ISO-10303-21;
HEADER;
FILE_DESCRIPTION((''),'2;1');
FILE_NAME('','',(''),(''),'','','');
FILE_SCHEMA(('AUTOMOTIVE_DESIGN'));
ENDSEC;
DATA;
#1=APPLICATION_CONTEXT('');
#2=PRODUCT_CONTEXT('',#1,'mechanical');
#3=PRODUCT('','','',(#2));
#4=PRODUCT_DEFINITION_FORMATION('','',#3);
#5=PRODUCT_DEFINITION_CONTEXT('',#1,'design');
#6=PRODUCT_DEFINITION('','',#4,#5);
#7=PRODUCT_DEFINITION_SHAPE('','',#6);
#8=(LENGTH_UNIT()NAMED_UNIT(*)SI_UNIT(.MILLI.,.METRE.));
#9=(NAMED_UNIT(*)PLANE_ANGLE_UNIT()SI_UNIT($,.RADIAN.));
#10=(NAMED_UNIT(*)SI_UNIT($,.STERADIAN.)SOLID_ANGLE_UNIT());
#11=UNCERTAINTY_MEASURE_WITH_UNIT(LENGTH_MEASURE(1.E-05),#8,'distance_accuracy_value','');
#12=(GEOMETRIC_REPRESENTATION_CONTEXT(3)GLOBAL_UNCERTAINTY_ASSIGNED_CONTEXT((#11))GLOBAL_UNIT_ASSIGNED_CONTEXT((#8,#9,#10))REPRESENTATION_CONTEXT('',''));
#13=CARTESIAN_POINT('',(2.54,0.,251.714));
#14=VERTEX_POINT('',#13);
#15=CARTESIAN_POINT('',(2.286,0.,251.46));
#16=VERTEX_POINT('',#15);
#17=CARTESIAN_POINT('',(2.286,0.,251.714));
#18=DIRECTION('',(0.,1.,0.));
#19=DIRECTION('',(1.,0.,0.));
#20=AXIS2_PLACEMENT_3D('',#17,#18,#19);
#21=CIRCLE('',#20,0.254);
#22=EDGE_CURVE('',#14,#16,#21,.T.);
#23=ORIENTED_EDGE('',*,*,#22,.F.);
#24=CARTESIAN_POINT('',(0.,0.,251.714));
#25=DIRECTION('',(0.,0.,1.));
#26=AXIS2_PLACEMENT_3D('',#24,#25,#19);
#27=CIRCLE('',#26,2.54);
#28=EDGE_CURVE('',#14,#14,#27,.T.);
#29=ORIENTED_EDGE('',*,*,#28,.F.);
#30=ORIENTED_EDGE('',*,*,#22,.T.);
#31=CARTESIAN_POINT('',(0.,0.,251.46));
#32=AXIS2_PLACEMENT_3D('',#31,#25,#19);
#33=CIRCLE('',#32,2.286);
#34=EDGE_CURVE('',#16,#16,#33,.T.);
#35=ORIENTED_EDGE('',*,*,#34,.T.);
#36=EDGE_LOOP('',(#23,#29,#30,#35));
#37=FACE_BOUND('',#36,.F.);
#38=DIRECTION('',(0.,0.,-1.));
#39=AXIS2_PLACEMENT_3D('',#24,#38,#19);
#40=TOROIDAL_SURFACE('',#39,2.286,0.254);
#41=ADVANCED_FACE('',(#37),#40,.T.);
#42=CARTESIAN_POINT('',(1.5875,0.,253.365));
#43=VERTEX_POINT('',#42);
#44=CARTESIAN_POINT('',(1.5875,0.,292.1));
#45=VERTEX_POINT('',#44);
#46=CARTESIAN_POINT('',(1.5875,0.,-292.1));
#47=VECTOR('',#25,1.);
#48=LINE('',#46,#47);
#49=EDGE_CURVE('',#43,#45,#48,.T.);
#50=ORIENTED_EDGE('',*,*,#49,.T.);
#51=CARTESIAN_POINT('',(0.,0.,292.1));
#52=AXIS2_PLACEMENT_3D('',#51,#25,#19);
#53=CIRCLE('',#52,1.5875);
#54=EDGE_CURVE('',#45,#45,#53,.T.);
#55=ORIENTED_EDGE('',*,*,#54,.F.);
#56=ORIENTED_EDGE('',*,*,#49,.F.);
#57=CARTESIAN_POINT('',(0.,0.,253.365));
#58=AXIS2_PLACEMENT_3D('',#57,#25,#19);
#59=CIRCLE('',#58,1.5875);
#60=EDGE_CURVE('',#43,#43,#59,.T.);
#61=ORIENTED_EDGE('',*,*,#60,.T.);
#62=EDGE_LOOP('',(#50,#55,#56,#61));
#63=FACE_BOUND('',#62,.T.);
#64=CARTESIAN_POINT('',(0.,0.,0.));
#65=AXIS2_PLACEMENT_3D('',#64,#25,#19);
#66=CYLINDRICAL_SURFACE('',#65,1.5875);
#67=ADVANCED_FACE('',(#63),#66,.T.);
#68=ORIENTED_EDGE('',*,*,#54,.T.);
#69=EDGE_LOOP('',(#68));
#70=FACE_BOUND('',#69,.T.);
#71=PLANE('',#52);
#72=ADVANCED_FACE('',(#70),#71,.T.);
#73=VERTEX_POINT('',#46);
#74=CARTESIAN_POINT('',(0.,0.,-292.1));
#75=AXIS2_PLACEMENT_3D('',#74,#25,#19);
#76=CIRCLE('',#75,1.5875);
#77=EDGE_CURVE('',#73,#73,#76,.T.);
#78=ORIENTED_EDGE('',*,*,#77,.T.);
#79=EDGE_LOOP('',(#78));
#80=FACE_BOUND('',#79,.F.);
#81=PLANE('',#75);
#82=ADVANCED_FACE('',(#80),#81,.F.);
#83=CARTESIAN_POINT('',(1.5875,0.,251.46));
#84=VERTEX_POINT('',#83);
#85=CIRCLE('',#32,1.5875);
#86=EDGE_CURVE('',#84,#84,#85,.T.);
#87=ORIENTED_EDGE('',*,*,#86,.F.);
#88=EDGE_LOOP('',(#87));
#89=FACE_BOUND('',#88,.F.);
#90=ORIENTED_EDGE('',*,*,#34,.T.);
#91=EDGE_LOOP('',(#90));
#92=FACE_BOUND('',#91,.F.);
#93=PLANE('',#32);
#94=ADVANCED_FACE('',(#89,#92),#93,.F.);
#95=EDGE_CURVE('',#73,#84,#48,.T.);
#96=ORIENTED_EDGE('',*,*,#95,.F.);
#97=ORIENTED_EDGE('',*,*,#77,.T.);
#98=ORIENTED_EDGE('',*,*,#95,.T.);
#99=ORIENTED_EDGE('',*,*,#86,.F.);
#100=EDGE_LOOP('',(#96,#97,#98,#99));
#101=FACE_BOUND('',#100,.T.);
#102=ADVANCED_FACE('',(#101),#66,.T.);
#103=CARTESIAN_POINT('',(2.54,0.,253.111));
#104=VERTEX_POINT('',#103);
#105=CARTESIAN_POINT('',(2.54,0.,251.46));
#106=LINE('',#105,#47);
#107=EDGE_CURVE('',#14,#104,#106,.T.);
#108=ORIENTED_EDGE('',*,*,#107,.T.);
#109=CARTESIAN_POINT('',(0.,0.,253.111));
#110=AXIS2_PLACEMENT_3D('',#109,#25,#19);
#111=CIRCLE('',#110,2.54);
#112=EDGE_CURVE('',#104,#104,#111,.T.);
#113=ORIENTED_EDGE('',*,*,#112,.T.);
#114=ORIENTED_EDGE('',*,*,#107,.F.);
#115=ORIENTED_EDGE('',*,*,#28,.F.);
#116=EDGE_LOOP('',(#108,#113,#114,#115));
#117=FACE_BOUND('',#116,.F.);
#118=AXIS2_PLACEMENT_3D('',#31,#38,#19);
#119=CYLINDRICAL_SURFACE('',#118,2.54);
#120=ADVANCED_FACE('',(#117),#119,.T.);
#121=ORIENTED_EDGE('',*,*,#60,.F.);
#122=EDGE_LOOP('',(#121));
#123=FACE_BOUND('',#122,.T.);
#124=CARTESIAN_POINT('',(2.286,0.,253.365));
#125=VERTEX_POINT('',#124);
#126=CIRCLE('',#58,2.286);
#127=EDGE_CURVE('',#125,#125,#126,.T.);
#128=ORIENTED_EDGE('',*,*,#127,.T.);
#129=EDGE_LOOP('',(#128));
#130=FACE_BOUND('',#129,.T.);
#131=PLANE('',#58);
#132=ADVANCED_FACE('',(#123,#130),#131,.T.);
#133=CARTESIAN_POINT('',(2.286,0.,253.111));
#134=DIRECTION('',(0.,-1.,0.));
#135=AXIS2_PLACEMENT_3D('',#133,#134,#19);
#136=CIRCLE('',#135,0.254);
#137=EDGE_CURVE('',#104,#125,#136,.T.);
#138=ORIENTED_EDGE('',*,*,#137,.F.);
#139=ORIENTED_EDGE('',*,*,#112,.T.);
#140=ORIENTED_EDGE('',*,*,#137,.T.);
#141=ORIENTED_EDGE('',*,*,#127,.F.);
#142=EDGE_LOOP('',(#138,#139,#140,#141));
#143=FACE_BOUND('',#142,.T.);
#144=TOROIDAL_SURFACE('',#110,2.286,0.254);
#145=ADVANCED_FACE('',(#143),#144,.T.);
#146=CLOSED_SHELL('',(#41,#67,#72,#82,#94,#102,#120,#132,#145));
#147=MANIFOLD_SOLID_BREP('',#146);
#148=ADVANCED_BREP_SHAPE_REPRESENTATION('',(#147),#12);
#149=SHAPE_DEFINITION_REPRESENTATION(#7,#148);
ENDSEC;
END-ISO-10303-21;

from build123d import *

# Parameters (mm, degrees)
F0_R     = 1.5875
F1_DEPTH = 292.1
F3_R     = 2.54
F4_DEPTH = 1.905
F5_R     = 0.254


with BuildPart() as f1:
    # F0 (on Top) → F1 (new body, symmetric)
    with BuildSketch(Plane.XY):
        Circle(F0_R)
    extrude(amount=F1_DEPTH, both=True)

    # F3 (on offset) → F4 (join)
    with BuildSketch(Plane.XY.offset(251.46)):
        Circle(F3_R)
    extrude(amount=F4_DEPTH)

    # F5
    f5_edges = [f1.edges().sort_by_distance(p)[0] for p in [
        (-2.54, 0, 253.365),
        (-2.54, 0, 251.46),
    ]]
    fillet(f5_edges, radius=F5_R)


solid = f1.part
